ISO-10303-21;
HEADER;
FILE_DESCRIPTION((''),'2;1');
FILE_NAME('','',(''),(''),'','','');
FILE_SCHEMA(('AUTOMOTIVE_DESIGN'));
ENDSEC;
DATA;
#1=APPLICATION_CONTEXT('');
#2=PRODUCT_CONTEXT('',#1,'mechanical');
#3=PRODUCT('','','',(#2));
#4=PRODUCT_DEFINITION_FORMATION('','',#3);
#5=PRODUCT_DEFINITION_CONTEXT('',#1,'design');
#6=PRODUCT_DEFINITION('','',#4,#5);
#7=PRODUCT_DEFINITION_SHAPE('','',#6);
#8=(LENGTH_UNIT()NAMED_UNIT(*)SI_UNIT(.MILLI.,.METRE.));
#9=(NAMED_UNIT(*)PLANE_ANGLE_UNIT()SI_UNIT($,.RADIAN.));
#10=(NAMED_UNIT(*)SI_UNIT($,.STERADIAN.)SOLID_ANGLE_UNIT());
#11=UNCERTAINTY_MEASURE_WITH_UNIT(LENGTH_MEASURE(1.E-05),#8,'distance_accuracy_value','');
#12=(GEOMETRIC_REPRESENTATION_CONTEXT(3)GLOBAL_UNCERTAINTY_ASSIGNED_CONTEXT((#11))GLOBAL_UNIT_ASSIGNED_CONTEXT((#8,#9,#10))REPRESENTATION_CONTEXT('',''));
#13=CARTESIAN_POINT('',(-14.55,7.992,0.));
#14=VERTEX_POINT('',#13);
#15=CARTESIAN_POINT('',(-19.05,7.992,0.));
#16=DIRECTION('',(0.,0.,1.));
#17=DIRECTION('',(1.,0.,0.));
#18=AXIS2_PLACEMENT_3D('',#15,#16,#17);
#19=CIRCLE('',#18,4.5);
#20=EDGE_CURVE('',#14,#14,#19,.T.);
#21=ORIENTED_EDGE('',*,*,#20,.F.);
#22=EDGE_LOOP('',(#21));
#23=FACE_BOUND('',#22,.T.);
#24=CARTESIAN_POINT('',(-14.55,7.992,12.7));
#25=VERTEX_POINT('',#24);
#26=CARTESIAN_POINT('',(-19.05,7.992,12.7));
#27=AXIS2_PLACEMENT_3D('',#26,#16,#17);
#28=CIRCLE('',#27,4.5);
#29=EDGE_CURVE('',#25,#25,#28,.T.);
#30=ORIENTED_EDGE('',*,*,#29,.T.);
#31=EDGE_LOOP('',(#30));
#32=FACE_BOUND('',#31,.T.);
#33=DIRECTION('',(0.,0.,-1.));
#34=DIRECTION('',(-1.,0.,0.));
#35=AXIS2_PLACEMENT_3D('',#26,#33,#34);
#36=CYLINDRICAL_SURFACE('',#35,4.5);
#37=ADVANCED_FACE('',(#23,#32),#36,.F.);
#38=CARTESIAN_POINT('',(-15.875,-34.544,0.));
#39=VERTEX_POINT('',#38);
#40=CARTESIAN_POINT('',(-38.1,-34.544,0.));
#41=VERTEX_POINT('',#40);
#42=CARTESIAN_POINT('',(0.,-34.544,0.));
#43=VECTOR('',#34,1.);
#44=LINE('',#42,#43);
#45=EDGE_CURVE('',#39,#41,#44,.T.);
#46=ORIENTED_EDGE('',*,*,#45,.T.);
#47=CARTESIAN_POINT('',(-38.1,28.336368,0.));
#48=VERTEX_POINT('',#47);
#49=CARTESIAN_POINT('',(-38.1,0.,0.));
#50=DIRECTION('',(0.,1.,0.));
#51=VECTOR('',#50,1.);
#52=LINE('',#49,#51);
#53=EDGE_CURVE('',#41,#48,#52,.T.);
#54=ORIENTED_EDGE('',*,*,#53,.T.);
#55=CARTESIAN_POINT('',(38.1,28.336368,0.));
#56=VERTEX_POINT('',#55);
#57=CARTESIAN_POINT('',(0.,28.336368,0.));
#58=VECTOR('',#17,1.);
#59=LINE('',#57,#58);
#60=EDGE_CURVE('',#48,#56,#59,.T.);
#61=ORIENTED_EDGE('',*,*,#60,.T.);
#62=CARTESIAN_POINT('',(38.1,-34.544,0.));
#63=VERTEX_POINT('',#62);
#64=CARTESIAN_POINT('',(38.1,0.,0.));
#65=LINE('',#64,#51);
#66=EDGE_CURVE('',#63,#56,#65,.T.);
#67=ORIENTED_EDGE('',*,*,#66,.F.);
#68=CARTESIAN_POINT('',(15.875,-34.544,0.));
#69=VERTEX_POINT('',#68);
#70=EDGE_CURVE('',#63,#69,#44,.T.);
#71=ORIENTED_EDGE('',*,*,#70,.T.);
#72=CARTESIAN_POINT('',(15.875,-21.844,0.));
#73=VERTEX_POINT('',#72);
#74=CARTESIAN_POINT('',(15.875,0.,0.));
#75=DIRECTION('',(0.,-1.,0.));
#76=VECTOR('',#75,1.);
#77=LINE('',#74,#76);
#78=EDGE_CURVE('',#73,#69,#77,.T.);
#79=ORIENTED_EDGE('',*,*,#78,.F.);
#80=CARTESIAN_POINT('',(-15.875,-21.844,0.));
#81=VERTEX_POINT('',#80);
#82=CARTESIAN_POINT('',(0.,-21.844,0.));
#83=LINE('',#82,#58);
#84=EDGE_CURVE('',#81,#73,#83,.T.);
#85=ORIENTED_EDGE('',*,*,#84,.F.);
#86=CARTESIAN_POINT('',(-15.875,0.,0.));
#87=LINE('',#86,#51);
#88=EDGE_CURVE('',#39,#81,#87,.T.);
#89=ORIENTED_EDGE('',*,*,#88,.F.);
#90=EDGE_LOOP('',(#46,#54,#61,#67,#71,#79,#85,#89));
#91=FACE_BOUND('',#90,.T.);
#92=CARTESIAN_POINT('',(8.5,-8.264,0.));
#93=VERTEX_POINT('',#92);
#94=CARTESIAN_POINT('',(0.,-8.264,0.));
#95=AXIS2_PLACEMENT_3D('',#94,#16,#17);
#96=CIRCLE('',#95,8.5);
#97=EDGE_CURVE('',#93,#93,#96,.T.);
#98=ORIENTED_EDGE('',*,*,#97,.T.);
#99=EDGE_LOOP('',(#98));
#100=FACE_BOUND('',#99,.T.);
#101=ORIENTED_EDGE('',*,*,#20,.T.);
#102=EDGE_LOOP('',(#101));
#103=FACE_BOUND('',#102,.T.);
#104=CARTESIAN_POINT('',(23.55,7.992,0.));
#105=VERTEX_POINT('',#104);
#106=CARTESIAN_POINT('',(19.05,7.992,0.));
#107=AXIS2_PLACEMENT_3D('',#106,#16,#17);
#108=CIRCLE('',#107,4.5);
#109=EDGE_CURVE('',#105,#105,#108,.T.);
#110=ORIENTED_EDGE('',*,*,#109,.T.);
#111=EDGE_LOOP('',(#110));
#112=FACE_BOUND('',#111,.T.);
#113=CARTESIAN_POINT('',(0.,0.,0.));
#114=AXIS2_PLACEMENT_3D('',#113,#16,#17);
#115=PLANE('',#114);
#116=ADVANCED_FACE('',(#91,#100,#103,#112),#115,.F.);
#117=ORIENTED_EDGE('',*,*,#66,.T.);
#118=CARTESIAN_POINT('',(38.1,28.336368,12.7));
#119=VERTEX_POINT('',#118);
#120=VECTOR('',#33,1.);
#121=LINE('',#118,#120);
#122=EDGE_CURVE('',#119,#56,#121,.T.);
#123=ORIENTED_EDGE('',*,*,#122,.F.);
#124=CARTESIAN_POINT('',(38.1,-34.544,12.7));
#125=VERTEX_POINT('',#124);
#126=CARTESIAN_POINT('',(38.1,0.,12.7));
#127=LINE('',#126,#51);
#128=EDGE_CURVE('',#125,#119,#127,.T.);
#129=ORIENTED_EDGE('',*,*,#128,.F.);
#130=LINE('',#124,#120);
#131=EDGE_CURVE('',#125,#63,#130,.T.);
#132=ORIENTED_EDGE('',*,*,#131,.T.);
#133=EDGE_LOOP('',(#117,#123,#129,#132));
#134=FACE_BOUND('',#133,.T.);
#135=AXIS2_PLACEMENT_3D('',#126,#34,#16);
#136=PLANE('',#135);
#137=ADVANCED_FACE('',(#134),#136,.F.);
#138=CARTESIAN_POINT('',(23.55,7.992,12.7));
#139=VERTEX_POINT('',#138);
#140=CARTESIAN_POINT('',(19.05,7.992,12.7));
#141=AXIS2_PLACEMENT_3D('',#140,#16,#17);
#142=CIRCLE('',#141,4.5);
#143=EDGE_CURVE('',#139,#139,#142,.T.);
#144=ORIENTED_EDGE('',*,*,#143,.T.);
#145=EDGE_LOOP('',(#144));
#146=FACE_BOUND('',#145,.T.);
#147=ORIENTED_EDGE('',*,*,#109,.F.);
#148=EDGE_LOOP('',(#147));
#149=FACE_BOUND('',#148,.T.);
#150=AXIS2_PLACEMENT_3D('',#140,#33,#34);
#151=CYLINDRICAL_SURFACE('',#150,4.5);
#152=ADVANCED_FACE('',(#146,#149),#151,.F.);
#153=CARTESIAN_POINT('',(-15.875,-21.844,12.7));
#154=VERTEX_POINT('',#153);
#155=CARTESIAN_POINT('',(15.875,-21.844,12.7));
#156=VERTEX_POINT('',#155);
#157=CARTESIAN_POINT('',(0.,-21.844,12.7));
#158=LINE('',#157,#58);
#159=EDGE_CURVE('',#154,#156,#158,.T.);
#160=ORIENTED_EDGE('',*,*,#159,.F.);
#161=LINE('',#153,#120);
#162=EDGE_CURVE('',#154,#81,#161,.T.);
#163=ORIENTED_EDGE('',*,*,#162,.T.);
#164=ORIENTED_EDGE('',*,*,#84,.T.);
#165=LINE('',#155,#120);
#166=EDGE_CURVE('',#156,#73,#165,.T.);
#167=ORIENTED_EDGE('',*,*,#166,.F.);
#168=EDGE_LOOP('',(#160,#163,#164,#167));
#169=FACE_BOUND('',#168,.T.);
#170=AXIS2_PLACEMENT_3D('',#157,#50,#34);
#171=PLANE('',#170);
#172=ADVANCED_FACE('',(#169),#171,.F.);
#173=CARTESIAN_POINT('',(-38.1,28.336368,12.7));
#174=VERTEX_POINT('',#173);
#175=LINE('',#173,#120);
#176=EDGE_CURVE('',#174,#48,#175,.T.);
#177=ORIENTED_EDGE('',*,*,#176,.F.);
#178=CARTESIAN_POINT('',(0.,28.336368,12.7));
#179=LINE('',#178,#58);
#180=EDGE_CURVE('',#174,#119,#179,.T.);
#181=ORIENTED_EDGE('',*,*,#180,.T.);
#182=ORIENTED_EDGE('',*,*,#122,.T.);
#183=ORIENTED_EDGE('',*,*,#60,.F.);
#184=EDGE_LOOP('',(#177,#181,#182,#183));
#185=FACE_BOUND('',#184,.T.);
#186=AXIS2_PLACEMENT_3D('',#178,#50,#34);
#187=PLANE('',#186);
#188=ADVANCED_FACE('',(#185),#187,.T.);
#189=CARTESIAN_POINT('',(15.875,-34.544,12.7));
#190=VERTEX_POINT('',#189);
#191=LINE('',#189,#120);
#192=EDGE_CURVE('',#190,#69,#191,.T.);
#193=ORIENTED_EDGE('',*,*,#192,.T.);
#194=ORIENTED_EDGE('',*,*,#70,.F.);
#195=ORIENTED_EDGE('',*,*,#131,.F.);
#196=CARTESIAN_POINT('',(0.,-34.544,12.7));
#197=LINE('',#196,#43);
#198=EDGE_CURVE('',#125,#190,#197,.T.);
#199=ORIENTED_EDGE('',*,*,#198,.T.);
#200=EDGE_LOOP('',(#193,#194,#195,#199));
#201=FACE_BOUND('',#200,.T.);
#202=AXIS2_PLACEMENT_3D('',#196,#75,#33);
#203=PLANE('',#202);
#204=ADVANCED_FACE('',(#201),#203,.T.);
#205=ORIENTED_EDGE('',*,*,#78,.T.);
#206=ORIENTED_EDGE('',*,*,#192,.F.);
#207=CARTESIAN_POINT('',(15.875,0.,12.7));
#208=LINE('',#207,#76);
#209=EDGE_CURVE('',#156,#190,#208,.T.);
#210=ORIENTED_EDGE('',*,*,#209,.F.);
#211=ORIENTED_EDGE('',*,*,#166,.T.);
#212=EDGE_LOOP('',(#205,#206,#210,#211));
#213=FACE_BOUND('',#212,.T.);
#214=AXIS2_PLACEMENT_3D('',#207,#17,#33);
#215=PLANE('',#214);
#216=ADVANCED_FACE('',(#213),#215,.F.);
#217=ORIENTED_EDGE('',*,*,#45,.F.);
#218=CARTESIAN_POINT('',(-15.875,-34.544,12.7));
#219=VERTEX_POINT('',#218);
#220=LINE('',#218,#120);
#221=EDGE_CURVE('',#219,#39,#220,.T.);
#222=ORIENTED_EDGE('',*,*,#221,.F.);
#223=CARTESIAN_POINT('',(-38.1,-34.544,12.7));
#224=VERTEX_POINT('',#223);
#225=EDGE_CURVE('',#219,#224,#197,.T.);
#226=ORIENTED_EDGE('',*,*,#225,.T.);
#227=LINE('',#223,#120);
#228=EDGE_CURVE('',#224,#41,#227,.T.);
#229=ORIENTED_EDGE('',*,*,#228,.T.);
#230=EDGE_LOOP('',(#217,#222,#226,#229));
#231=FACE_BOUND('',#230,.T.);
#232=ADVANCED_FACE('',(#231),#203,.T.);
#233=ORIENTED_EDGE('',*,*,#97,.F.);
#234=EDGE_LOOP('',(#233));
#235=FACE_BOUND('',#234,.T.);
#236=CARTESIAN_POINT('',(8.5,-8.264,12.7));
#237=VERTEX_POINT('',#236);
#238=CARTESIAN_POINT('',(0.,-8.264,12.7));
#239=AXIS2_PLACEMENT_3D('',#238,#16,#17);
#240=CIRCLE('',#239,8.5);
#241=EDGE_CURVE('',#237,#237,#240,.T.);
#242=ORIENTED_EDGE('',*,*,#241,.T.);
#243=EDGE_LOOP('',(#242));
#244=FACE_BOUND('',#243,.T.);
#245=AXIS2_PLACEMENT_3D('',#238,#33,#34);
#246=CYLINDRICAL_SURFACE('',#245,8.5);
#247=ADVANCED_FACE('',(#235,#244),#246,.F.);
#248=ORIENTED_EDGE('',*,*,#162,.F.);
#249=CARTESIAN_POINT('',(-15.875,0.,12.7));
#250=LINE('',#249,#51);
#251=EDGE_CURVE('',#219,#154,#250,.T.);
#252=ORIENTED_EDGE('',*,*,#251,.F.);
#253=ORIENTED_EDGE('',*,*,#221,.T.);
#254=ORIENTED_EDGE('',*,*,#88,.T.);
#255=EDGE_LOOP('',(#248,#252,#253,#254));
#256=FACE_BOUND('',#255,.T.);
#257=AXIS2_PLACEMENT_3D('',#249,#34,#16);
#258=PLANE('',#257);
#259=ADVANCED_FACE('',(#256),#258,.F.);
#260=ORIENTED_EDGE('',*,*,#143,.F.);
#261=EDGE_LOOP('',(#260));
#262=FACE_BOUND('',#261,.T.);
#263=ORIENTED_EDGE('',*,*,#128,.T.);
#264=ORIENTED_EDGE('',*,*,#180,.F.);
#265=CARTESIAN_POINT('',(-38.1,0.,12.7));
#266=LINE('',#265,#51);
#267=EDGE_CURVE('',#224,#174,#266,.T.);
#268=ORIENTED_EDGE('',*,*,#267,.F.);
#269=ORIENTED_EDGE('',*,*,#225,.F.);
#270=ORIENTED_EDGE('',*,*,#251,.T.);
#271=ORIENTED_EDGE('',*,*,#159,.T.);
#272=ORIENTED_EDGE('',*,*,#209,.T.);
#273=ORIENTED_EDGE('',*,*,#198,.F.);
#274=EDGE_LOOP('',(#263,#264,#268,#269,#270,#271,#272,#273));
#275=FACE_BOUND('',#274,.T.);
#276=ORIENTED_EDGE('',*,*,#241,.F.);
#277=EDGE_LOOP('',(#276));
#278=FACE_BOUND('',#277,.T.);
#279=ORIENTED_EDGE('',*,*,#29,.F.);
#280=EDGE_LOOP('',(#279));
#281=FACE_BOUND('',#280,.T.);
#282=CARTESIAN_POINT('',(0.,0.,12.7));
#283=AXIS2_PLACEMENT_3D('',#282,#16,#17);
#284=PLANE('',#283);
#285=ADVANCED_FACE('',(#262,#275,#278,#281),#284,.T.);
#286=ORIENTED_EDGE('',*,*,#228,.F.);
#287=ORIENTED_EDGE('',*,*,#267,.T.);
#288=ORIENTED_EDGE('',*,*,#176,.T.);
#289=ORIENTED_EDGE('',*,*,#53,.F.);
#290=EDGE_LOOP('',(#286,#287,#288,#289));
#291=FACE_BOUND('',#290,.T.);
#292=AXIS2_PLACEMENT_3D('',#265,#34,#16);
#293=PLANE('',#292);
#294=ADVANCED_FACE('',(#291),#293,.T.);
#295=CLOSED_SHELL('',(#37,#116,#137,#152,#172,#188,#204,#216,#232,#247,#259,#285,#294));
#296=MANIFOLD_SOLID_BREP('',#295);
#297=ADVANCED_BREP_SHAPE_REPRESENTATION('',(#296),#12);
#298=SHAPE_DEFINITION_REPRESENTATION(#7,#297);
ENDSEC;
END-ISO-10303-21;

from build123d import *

# Parameters (mm, degrees)
SKETCH1_R           = 4.5
BOSS_EXTRUDE2_DEPTH = 12.7


with BuildPart() as part:
    # Sketch1 → Boss-Extrude2 (new body)
    with BuildSketch(Plane.XY):
        Polygon((-38.1, -34.544), (-15.875, -34.544), (-15.875, -21.844), (0, -21.844), (15.875, -21.844), (15.875, -34.544), (38.1, -34.544), (38.1, 28.336368082), (-19.05, 28.336368082), (-38.1, 28.336368082), align=None)
        with BuildLine():
            ThreePointArc((8.5, -8.264), (6.01040764, -14.27440764), (0, -16.764))
            ThreePointArc((0, -16.764), (-6.01040764, -2.25359236), (8.5, -8.264))
        make_face(mode=Mode.SUBTRACT)
        with Locations((-19.05, 7.992)):
            Circle(SKETCH1_R, mode=Mode.SUBTRACT)
        with Locations((19.05, 7.992)):
            Circle(SKETCH1_R, mode=Mode.SUBTRACT)
    extrude(amount=BOSS_EXTRUDE2_DEPTH)


solid = part.part
